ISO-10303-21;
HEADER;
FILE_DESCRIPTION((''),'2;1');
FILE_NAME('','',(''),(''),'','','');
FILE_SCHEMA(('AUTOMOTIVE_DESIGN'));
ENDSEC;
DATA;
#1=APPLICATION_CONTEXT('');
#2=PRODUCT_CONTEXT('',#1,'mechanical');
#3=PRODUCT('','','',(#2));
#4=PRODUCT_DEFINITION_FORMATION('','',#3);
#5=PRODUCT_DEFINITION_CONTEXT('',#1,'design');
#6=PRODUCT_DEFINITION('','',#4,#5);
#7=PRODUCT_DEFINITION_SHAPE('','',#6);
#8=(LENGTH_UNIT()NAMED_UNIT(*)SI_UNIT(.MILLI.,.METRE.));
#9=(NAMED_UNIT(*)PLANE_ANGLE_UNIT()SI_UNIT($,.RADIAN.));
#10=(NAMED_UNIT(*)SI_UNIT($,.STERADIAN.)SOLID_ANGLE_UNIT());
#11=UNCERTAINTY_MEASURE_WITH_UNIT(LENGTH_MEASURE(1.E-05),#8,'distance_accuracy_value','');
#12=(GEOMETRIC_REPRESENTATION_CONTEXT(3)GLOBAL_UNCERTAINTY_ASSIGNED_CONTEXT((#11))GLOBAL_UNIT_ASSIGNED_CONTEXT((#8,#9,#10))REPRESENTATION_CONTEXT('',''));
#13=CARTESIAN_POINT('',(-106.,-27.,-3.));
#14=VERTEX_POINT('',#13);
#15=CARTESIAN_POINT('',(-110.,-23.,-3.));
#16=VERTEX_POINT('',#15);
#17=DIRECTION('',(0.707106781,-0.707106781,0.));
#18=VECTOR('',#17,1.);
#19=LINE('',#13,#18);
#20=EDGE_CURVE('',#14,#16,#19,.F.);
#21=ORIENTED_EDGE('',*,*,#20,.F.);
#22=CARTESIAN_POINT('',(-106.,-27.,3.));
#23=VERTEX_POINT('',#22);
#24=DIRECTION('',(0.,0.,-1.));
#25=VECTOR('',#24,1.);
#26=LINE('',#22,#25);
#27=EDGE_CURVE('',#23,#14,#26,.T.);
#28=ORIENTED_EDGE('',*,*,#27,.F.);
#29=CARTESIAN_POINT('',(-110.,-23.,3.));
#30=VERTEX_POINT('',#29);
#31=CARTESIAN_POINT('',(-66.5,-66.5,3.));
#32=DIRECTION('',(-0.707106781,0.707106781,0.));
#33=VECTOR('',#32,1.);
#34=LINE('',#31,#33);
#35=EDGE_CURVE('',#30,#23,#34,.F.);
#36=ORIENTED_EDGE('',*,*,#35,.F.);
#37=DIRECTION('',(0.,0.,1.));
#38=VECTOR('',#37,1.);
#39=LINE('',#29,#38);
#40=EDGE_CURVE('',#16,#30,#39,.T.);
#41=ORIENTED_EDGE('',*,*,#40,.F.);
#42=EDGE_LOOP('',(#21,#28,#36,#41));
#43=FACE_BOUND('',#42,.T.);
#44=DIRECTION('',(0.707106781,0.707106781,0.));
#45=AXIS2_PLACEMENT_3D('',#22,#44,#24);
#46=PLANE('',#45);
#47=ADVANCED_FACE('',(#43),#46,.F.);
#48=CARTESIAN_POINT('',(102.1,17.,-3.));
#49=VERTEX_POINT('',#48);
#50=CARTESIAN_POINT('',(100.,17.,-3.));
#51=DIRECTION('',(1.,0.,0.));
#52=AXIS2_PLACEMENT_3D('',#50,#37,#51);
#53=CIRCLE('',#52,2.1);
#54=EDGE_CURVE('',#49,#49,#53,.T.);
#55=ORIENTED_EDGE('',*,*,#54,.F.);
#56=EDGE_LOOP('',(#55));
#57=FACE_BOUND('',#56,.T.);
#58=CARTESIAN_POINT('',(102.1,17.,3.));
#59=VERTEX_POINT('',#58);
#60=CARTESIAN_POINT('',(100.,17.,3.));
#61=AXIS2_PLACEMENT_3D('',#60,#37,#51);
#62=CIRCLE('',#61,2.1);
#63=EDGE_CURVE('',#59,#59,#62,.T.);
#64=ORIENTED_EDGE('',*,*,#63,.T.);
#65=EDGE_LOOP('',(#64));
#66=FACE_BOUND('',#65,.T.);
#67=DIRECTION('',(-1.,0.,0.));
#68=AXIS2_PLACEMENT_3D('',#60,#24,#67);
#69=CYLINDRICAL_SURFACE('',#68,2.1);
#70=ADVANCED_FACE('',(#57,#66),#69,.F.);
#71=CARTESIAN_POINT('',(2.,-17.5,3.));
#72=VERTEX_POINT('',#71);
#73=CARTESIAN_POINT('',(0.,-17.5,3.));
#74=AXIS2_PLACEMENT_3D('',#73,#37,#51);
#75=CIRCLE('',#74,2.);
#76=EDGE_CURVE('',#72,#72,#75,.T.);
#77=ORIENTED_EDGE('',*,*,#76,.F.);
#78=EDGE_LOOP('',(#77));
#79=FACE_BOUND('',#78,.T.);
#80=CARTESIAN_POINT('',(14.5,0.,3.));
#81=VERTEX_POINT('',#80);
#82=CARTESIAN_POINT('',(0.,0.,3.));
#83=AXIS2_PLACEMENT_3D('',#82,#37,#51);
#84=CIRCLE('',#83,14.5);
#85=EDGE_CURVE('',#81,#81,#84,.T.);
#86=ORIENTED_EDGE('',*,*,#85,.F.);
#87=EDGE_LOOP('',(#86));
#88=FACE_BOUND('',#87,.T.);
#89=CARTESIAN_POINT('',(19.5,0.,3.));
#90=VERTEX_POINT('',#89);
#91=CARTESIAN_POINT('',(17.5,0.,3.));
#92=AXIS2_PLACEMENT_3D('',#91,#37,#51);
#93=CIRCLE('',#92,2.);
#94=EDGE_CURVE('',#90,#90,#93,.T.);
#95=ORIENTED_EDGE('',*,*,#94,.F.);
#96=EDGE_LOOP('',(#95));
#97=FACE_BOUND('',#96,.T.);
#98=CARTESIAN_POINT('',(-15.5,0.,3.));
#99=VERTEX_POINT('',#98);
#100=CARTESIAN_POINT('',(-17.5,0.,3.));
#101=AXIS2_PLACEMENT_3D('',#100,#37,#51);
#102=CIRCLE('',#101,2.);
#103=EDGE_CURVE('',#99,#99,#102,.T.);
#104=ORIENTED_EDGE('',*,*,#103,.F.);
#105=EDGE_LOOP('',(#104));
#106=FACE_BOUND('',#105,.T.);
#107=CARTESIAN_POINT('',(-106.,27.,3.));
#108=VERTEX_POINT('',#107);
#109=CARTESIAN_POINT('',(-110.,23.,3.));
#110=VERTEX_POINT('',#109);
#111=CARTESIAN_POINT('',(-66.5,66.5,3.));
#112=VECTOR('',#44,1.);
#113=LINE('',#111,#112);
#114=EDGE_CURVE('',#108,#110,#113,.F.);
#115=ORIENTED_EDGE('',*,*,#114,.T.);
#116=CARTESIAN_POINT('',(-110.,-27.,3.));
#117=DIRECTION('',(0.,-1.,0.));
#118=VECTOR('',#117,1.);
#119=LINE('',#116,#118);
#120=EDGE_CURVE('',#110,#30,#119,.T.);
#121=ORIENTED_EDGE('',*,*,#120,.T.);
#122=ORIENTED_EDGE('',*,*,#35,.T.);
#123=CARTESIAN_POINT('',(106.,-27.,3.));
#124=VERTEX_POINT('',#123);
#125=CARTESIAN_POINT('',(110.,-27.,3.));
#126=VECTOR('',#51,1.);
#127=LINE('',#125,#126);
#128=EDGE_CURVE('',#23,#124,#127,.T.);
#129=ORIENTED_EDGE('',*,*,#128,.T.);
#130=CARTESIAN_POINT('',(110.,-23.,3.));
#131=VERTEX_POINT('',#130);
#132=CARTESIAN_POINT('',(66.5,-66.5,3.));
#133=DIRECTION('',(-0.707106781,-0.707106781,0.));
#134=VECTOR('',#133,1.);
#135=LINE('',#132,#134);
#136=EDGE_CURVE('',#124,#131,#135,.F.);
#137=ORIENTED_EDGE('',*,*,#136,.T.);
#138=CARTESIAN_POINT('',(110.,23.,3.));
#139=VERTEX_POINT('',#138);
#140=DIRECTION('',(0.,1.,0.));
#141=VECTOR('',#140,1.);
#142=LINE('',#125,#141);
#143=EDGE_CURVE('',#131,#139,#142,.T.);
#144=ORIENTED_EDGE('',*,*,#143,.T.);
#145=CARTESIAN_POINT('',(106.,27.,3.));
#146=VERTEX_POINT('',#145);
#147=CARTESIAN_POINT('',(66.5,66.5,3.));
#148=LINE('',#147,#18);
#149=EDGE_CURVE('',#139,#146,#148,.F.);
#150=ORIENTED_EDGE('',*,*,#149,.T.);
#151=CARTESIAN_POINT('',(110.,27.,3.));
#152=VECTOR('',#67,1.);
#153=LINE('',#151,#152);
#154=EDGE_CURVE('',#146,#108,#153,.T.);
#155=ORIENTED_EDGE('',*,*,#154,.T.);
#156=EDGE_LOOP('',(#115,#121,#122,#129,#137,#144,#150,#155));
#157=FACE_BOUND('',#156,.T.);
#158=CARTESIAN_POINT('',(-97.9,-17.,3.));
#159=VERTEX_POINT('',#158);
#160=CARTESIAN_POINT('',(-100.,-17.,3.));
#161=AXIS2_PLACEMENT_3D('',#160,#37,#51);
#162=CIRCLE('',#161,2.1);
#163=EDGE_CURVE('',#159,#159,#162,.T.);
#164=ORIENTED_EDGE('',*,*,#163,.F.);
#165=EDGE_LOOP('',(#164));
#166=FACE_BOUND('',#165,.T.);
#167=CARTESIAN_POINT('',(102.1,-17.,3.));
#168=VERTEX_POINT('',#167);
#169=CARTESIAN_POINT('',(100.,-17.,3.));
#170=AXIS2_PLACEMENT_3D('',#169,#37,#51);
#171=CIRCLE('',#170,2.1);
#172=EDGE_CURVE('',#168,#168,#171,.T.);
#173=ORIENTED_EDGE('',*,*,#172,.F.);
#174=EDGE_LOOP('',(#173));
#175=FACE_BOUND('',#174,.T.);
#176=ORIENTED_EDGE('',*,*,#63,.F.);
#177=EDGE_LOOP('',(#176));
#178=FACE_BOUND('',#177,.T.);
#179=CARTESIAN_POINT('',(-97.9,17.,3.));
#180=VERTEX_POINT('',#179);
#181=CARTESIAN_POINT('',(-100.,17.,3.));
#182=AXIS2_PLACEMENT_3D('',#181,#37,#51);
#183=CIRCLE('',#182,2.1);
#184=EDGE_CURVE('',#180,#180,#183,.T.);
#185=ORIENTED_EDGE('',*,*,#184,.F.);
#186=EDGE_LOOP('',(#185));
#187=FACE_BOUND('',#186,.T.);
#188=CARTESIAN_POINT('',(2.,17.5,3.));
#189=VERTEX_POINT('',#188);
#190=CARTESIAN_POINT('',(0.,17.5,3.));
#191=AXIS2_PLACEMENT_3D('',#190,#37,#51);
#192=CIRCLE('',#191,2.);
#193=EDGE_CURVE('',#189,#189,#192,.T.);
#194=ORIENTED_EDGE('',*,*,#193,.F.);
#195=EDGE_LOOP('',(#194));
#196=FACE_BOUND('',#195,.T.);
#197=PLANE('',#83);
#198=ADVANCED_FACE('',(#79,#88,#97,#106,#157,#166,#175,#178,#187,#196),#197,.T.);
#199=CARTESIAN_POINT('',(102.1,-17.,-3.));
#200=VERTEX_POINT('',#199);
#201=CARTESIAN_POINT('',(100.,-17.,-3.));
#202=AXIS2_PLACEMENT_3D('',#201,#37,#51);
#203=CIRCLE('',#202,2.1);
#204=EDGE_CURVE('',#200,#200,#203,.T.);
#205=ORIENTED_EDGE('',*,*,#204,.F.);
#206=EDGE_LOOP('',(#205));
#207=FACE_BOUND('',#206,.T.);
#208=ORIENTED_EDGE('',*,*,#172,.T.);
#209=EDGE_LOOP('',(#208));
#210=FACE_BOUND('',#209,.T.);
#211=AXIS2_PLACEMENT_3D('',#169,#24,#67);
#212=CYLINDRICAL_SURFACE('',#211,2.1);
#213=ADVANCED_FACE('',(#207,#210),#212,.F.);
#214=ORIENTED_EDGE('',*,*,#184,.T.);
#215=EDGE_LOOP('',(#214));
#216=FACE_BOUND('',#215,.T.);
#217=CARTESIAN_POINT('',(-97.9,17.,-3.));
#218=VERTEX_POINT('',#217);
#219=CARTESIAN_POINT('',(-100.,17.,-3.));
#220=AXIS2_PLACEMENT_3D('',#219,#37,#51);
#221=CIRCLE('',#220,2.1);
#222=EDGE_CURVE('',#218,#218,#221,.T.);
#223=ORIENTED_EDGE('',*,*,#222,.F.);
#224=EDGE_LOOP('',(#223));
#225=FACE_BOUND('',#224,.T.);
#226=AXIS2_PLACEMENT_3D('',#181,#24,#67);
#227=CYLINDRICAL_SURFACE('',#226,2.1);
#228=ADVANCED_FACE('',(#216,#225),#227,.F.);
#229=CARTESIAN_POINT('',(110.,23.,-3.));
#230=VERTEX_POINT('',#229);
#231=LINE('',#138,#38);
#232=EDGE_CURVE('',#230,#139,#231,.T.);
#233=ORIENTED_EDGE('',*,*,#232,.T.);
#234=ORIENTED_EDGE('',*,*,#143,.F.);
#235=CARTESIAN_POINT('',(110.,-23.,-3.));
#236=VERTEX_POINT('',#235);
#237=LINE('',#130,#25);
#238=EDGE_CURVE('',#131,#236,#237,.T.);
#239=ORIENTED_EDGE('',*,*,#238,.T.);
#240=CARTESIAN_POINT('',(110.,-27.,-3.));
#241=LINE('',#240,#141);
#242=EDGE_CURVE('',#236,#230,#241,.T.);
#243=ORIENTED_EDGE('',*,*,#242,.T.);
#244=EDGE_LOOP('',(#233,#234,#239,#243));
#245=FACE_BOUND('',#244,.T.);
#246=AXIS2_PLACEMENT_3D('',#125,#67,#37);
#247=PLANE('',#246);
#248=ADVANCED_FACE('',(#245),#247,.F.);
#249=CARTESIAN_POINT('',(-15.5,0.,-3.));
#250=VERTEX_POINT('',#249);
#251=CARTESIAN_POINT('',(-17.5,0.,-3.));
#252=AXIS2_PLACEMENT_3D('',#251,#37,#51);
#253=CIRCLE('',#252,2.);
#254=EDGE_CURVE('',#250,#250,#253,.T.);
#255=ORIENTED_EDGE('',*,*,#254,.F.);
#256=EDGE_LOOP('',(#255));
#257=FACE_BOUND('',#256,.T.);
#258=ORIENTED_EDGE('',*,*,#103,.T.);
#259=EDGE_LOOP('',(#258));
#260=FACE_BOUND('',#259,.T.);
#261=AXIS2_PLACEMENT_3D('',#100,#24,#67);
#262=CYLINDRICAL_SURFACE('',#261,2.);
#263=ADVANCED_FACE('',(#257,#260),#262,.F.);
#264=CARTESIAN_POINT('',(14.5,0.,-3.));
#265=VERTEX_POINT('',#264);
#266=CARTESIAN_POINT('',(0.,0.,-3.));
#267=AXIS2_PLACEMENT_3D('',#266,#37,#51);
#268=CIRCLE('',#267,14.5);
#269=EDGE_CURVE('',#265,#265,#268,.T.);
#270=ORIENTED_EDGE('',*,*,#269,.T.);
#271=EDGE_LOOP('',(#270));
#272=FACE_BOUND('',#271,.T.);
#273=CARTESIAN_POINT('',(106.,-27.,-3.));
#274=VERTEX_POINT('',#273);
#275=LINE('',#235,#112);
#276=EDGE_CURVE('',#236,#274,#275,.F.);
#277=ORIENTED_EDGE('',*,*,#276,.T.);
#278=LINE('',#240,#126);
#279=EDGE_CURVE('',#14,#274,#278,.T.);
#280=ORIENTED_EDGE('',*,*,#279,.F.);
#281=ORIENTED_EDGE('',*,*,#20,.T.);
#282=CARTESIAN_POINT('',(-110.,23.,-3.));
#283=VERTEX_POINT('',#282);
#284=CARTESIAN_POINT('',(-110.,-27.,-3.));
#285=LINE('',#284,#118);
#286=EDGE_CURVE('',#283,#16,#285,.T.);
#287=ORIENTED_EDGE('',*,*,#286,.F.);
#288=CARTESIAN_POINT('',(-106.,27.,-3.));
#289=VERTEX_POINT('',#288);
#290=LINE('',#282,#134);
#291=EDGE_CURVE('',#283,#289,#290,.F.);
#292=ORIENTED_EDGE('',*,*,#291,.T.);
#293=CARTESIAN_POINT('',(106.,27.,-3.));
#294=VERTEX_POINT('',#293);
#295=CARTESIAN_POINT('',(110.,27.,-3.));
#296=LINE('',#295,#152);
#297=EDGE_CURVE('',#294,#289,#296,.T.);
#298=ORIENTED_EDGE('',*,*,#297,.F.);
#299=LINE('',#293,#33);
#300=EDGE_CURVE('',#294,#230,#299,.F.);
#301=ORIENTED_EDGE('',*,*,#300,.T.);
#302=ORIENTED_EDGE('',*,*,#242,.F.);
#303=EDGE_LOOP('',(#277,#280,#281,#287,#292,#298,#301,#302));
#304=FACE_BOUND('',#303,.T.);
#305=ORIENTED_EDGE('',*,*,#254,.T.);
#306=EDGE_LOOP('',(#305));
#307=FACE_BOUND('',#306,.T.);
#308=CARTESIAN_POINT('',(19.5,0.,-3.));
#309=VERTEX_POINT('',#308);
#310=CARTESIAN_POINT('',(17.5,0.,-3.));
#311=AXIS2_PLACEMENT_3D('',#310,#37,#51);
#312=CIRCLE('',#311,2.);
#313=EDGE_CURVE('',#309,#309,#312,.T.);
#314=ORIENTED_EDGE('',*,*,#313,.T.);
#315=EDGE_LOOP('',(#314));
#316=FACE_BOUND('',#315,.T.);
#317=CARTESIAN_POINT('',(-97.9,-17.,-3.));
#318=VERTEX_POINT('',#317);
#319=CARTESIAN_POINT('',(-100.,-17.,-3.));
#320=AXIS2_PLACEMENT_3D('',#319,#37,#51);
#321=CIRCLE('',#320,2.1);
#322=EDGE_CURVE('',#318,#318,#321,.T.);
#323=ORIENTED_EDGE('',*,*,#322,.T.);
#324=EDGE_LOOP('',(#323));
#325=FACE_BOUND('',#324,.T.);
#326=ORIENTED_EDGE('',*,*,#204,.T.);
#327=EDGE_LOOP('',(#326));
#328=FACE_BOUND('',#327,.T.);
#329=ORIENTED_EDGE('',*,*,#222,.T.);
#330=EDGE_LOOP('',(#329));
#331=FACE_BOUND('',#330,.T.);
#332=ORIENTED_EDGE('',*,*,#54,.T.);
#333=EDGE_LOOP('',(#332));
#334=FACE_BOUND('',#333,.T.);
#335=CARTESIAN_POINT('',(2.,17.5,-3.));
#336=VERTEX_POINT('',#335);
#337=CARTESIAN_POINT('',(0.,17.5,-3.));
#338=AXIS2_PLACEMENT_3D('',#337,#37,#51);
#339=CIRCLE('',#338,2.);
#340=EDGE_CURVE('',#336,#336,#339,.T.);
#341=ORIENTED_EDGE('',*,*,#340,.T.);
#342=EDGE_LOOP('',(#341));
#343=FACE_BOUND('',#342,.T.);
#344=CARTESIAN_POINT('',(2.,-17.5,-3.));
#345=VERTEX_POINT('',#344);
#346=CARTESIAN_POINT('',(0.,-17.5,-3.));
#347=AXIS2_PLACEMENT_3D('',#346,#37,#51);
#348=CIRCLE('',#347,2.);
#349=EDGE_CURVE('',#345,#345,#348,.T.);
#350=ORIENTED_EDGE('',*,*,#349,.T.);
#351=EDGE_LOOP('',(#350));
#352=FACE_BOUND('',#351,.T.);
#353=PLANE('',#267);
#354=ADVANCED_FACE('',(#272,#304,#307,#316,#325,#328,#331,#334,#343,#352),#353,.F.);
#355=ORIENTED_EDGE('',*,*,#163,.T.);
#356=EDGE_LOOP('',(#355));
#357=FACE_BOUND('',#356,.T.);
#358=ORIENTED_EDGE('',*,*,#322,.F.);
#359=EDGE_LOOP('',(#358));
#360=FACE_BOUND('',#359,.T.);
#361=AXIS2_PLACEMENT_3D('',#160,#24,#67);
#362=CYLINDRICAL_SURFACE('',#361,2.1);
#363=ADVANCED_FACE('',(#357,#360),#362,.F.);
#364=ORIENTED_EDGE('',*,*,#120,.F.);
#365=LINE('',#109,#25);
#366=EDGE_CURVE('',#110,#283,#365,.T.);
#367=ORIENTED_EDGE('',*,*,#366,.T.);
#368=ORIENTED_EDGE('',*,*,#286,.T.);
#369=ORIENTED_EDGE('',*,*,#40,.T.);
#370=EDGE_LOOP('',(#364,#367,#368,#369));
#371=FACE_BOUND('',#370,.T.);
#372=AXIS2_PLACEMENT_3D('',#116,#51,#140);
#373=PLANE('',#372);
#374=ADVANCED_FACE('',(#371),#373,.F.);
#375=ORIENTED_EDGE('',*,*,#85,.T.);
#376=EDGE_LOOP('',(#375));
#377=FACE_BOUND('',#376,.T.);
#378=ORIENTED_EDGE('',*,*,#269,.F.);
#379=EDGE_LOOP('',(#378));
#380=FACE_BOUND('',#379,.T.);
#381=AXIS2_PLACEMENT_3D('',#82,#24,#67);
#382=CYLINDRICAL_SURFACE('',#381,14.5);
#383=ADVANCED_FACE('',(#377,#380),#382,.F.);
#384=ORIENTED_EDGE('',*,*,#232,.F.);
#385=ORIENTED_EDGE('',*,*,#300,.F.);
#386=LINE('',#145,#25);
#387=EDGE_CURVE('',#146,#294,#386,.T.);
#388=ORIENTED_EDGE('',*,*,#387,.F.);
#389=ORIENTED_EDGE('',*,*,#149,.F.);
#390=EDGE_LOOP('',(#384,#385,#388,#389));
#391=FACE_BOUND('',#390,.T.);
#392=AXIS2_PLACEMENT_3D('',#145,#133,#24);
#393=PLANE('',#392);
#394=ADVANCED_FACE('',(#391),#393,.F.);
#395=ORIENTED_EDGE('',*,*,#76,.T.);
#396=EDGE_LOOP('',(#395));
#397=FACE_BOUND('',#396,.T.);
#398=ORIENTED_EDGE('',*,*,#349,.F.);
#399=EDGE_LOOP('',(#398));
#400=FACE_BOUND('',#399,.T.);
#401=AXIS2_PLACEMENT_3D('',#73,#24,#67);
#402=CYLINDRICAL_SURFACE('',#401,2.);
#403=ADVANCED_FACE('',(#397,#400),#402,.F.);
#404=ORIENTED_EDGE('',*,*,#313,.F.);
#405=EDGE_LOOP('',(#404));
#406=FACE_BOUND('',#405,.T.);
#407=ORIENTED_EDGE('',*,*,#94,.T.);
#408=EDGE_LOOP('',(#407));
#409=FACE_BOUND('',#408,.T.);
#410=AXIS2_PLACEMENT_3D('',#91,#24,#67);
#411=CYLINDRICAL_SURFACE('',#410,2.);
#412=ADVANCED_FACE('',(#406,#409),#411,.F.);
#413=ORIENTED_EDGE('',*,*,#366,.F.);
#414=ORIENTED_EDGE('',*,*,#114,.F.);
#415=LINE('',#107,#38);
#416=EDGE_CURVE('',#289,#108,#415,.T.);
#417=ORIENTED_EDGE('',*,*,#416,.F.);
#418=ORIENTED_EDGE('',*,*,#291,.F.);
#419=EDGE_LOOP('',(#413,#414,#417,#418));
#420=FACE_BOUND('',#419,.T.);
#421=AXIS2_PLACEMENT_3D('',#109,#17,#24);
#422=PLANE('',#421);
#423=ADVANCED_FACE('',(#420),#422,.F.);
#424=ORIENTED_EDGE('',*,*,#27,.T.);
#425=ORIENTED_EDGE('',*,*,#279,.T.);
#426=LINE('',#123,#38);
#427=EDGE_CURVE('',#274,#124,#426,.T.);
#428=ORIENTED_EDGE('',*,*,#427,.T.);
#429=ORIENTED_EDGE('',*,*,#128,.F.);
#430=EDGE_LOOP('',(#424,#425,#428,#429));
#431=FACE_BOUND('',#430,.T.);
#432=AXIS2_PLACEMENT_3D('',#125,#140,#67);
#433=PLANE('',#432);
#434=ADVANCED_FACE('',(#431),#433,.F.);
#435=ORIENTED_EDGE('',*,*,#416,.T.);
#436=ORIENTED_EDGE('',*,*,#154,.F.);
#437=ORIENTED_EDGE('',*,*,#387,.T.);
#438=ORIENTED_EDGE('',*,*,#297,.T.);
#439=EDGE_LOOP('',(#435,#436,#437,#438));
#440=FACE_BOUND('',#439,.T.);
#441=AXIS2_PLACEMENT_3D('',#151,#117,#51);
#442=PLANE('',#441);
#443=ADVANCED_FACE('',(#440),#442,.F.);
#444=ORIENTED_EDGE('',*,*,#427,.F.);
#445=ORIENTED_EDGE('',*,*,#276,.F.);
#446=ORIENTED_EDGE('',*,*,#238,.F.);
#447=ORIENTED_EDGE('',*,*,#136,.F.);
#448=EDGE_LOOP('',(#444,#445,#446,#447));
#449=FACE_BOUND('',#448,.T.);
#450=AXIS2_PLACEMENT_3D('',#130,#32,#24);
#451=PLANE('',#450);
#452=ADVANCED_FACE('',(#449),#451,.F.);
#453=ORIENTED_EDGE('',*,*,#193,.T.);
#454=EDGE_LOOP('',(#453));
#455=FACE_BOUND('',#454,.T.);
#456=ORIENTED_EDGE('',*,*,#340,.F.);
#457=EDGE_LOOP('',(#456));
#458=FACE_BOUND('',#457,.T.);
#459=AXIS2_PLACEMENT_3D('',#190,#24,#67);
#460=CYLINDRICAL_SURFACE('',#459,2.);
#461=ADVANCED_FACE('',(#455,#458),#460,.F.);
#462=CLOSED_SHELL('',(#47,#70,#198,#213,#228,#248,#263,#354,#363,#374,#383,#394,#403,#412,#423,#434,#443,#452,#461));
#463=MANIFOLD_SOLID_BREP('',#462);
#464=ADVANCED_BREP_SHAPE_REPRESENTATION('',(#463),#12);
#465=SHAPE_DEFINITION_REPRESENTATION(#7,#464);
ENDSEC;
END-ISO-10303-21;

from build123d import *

# Parameters (mm, degrees)
SKETCH_1_W      = 220
SKETCH_1_H      = 54
SKETCH_1_R      = 2.1
SKETCH_1_R_2    = 2
SKETCH_1_R_3    = 14.5
EXTRUDE_1_DEPTH = 3
CHAMFER_1_SIZE  = 4


with BuildPart() as part:
    # 草图1 → 凸台-拉伸1 (new, symmetric)
    with BuildSketch(Plane.XY):
        Rectangle(SKETCH_1_W, SKETCH_1_H)
        with Locations((-100, 17)):
            Circle(SKETCH_1_R, mode=Mode.SUBTRACT)
        with Locations((-100, -17)):
            Circle(SKETCH_1_R, mode=Mode.SUBTRACT)
        with Locations((100, 17)):
            Circle(SKETCH_1_R, mode=Mode.SUBTRACT)
        with Locations((100, -17)):
            Circle(SKETCH_1_R, mode=Mode.SUBTRACT)
        with Locations((0, 17.5)):
            Circle(SKETCH_1_R_2, mode=Mode.SUBTRACT)
        Circle(SKETCH_1_R_3, mode=Mode.SUBTRACT)
        with Locations((17.5, 0)):
            Circle(SKETCH_1_R_2, mode=Mode.SUBTRACT)
        with Locations((0, -17.5)):
            Circle(SKETCH_1_R_2, mode=Mode.SUBTRACT)
        with Locations((-17.5, 0)):
            Circle(SKETCH_1_R_2, mode=Mode.SUBTRACT)
    extrude(amount=EXTRUDE_1_DEPTH, both=True)

    # 倒角1
    chamfer_1_edges = [part.edges().sort_by_distance(p)[0] for p in [
        (-110, 27, 0),
        (110, 27, 0),
        (110, -27, 0),
        (-110, -27, 0),
    ]]
    chamfer(chamfer_1_edges, length=CHAMFER_1_SIZE)


solid = part.part
